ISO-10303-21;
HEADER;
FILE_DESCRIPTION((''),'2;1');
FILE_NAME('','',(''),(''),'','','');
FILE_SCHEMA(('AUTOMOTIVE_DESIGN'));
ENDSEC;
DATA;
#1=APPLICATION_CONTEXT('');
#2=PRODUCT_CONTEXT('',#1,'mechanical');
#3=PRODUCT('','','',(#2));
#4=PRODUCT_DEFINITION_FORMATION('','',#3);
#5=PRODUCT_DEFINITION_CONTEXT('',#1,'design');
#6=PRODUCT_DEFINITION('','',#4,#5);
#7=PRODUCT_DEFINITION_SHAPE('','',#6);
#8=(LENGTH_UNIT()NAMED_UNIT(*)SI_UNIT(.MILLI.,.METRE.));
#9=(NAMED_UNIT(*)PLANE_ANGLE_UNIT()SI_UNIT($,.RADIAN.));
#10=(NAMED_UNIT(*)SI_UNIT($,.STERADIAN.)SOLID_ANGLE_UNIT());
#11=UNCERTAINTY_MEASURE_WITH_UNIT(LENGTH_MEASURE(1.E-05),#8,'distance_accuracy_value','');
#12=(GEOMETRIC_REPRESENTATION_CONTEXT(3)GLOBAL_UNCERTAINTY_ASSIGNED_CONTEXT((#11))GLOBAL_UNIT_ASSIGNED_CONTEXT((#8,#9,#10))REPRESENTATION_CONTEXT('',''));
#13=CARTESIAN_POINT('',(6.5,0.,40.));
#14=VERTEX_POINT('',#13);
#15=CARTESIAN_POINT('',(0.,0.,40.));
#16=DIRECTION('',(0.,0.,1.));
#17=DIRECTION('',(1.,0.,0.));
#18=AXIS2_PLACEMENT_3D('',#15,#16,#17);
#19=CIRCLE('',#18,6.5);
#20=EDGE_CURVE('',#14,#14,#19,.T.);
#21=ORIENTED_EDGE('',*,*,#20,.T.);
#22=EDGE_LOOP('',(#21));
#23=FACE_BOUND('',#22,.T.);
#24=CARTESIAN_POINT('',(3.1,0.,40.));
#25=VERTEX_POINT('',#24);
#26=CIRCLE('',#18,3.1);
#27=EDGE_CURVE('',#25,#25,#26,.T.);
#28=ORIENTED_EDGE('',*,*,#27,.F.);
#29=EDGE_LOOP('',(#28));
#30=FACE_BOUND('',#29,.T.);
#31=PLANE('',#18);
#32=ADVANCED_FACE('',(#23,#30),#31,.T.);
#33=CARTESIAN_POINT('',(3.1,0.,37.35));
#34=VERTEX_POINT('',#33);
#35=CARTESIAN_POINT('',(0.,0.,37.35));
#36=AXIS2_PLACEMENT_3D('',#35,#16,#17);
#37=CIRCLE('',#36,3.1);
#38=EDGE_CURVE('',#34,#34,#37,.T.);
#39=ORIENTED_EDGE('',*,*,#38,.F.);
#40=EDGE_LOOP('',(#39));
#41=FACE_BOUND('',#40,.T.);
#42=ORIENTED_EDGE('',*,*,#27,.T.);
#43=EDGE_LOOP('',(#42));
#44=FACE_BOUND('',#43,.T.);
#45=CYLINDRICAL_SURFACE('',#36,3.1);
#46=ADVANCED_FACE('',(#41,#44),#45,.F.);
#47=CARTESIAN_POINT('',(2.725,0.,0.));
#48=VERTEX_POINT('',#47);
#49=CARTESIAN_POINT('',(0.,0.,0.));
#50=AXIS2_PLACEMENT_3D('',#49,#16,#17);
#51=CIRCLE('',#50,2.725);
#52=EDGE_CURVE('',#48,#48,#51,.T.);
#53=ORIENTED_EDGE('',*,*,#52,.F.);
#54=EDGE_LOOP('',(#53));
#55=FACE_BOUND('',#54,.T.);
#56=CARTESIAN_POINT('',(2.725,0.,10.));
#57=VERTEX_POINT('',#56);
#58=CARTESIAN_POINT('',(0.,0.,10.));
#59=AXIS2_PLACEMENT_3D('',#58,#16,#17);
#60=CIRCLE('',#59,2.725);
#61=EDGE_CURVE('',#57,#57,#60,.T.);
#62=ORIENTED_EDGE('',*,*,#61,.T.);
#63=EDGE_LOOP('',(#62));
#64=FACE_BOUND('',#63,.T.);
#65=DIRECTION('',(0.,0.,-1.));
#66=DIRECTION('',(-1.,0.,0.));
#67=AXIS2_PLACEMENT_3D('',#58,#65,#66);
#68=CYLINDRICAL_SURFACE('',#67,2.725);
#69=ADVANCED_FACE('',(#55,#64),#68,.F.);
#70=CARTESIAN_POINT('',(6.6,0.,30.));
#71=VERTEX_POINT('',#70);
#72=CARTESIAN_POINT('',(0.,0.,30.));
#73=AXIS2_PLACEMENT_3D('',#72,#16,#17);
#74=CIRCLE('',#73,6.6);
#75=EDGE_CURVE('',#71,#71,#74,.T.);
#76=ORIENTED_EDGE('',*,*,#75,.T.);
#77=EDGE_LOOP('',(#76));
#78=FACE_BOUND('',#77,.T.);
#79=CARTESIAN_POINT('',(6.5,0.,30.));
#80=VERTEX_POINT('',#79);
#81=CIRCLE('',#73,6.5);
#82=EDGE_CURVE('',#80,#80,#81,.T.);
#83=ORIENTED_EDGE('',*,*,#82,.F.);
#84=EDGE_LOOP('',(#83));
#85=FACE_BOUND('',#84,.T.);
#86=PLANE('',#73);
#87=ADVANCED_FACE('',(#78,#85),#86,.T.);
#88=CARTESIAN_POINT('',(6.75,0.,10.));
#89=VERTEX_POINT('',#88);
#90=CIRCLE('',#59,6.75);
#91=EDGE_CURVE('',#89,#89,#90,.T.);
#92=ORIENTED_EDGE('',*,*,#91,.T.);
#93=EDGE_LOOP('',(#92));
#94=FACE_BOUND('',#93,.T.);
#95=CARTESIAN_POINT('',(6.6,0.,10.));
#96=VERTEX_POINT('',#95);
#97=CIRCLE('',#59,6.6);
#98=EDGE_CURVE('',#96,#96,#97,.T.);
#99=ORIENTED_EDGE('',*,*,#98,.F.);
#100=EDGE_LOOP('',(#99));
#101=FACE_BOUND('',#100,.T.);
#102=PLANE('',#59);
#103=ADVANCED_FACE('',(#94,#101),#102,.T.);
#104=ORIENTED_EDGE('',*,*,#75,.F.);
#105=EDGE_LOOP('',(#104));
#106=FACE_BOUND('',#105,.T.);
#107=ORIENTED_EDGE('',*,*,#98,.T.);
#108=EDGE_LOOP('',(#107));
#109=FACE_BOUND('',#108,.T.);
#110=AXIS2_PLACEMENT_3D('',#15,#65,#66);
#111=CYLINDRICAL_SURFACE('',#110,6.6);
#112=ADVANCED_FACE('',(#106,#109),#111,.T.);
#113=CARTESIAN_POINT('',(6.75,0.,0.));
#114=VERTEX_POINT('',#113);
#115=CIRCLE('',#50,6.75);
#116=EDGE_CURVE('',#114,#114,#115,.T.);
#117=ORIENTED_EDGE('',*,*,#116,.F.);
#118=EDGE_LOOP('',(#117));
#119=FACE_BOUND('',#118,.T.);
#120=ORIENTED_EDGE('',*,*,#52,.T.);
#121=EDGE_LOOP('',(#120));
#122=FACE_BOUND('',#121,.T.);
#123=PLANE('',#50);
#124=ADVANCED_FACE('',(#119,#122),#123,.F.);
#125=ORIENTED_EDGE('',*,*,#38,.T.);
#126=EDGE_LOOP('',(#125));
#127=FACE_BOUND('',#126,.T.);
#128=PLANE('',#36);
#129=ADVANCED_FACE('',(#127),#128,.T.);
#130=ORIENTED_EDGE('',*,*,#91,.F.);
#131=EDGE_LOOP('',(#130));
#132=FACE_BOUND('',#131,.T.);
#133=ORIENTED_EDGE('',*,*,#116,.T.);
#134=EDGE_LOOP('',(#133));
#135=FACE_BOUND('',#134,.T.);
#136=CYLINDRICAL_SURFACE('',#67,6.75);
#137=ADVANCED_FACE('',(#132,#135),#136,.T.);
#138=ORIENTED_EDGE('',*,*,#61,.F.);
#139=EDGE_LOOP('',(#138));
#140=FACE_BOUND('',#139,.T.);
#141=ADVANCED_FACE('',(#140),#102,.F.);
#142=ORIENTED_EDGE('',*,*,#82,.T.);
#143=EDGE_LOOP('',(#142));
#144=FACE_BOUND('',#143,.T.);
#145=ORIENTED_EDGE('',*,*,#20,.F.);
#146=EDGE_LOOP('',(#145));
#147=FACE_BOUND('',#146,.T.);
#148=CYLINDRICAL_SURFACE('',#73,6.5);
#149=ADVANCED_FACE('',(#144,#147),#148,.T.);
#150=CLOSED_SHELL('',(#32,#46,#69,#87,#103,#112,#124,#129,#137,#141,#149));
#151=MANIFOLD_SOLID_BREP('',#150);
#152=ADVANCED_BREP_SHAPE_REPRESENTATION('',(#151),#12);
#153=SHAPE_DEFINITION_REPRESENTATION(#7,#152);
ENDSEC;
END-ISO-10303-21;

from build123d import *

# Parameters (mm, degrees)
SKETCH1_R           = 6.75
SKETCH1_R_2         = 2.725
BOSS_EXTRUDE2_DEPTH = 10
SKETCH2_R           = 6.6
BOSS_EXTRUDE3_DEPTH = 30
CUT_EXTRUDE1_START  = -10
SKETCH3_R           = 6.6
SKETCH3_R_2         = 6.5
CUT_EXTRUDE1_DEPTH  = 10
SKETCH4_R           = 3.1
CUT_EXTRUDE3_DEPTH  = 2.65


with BuildPart() as part:
    # Sketch1 → Boss-Extrude2 (new body)
    with BuildSketch(Plane.XY):
        Circle(SKETCH1_R)
        Circle(SKETCH1_R_2, mode=Mode.SUBTRACT)
    extrude(amount=BOSS_EXTRUDE2_DEPTH)

    # Sketch2 → Boss-Extrude3 (add)
    with BuildSketch(Plane.XY.offset(10)):
        Circle(SKETCH2_R)
    extrude(amount=BOSS_EXTRUDE3_DEPTH)

    # Sketch3 → Cut-Extrude1 (cut)
    with BuildSketch(Plane.XY.offset(40).offset(CUT_EXTRUDE1_START)):
        Circle(SKETCH3_R)
        Circle(SKETCH3_R_2, mode=Mode.SUBTRACT)
    extrude(amount=CUT_EXTRUDE1_DEPTH, mode=Mode.SUBTRACT)

    # Sketch4 → Cut-Extrude3 (cut)
    with BuildSketch(Plane.XY.offset(40)):
        Circle(SKETCH4_R)
    extrude(amount=-CUT_EXTRUDE3_DEPTH, mode=Mode.SUBTRACT)


solid = part.part
